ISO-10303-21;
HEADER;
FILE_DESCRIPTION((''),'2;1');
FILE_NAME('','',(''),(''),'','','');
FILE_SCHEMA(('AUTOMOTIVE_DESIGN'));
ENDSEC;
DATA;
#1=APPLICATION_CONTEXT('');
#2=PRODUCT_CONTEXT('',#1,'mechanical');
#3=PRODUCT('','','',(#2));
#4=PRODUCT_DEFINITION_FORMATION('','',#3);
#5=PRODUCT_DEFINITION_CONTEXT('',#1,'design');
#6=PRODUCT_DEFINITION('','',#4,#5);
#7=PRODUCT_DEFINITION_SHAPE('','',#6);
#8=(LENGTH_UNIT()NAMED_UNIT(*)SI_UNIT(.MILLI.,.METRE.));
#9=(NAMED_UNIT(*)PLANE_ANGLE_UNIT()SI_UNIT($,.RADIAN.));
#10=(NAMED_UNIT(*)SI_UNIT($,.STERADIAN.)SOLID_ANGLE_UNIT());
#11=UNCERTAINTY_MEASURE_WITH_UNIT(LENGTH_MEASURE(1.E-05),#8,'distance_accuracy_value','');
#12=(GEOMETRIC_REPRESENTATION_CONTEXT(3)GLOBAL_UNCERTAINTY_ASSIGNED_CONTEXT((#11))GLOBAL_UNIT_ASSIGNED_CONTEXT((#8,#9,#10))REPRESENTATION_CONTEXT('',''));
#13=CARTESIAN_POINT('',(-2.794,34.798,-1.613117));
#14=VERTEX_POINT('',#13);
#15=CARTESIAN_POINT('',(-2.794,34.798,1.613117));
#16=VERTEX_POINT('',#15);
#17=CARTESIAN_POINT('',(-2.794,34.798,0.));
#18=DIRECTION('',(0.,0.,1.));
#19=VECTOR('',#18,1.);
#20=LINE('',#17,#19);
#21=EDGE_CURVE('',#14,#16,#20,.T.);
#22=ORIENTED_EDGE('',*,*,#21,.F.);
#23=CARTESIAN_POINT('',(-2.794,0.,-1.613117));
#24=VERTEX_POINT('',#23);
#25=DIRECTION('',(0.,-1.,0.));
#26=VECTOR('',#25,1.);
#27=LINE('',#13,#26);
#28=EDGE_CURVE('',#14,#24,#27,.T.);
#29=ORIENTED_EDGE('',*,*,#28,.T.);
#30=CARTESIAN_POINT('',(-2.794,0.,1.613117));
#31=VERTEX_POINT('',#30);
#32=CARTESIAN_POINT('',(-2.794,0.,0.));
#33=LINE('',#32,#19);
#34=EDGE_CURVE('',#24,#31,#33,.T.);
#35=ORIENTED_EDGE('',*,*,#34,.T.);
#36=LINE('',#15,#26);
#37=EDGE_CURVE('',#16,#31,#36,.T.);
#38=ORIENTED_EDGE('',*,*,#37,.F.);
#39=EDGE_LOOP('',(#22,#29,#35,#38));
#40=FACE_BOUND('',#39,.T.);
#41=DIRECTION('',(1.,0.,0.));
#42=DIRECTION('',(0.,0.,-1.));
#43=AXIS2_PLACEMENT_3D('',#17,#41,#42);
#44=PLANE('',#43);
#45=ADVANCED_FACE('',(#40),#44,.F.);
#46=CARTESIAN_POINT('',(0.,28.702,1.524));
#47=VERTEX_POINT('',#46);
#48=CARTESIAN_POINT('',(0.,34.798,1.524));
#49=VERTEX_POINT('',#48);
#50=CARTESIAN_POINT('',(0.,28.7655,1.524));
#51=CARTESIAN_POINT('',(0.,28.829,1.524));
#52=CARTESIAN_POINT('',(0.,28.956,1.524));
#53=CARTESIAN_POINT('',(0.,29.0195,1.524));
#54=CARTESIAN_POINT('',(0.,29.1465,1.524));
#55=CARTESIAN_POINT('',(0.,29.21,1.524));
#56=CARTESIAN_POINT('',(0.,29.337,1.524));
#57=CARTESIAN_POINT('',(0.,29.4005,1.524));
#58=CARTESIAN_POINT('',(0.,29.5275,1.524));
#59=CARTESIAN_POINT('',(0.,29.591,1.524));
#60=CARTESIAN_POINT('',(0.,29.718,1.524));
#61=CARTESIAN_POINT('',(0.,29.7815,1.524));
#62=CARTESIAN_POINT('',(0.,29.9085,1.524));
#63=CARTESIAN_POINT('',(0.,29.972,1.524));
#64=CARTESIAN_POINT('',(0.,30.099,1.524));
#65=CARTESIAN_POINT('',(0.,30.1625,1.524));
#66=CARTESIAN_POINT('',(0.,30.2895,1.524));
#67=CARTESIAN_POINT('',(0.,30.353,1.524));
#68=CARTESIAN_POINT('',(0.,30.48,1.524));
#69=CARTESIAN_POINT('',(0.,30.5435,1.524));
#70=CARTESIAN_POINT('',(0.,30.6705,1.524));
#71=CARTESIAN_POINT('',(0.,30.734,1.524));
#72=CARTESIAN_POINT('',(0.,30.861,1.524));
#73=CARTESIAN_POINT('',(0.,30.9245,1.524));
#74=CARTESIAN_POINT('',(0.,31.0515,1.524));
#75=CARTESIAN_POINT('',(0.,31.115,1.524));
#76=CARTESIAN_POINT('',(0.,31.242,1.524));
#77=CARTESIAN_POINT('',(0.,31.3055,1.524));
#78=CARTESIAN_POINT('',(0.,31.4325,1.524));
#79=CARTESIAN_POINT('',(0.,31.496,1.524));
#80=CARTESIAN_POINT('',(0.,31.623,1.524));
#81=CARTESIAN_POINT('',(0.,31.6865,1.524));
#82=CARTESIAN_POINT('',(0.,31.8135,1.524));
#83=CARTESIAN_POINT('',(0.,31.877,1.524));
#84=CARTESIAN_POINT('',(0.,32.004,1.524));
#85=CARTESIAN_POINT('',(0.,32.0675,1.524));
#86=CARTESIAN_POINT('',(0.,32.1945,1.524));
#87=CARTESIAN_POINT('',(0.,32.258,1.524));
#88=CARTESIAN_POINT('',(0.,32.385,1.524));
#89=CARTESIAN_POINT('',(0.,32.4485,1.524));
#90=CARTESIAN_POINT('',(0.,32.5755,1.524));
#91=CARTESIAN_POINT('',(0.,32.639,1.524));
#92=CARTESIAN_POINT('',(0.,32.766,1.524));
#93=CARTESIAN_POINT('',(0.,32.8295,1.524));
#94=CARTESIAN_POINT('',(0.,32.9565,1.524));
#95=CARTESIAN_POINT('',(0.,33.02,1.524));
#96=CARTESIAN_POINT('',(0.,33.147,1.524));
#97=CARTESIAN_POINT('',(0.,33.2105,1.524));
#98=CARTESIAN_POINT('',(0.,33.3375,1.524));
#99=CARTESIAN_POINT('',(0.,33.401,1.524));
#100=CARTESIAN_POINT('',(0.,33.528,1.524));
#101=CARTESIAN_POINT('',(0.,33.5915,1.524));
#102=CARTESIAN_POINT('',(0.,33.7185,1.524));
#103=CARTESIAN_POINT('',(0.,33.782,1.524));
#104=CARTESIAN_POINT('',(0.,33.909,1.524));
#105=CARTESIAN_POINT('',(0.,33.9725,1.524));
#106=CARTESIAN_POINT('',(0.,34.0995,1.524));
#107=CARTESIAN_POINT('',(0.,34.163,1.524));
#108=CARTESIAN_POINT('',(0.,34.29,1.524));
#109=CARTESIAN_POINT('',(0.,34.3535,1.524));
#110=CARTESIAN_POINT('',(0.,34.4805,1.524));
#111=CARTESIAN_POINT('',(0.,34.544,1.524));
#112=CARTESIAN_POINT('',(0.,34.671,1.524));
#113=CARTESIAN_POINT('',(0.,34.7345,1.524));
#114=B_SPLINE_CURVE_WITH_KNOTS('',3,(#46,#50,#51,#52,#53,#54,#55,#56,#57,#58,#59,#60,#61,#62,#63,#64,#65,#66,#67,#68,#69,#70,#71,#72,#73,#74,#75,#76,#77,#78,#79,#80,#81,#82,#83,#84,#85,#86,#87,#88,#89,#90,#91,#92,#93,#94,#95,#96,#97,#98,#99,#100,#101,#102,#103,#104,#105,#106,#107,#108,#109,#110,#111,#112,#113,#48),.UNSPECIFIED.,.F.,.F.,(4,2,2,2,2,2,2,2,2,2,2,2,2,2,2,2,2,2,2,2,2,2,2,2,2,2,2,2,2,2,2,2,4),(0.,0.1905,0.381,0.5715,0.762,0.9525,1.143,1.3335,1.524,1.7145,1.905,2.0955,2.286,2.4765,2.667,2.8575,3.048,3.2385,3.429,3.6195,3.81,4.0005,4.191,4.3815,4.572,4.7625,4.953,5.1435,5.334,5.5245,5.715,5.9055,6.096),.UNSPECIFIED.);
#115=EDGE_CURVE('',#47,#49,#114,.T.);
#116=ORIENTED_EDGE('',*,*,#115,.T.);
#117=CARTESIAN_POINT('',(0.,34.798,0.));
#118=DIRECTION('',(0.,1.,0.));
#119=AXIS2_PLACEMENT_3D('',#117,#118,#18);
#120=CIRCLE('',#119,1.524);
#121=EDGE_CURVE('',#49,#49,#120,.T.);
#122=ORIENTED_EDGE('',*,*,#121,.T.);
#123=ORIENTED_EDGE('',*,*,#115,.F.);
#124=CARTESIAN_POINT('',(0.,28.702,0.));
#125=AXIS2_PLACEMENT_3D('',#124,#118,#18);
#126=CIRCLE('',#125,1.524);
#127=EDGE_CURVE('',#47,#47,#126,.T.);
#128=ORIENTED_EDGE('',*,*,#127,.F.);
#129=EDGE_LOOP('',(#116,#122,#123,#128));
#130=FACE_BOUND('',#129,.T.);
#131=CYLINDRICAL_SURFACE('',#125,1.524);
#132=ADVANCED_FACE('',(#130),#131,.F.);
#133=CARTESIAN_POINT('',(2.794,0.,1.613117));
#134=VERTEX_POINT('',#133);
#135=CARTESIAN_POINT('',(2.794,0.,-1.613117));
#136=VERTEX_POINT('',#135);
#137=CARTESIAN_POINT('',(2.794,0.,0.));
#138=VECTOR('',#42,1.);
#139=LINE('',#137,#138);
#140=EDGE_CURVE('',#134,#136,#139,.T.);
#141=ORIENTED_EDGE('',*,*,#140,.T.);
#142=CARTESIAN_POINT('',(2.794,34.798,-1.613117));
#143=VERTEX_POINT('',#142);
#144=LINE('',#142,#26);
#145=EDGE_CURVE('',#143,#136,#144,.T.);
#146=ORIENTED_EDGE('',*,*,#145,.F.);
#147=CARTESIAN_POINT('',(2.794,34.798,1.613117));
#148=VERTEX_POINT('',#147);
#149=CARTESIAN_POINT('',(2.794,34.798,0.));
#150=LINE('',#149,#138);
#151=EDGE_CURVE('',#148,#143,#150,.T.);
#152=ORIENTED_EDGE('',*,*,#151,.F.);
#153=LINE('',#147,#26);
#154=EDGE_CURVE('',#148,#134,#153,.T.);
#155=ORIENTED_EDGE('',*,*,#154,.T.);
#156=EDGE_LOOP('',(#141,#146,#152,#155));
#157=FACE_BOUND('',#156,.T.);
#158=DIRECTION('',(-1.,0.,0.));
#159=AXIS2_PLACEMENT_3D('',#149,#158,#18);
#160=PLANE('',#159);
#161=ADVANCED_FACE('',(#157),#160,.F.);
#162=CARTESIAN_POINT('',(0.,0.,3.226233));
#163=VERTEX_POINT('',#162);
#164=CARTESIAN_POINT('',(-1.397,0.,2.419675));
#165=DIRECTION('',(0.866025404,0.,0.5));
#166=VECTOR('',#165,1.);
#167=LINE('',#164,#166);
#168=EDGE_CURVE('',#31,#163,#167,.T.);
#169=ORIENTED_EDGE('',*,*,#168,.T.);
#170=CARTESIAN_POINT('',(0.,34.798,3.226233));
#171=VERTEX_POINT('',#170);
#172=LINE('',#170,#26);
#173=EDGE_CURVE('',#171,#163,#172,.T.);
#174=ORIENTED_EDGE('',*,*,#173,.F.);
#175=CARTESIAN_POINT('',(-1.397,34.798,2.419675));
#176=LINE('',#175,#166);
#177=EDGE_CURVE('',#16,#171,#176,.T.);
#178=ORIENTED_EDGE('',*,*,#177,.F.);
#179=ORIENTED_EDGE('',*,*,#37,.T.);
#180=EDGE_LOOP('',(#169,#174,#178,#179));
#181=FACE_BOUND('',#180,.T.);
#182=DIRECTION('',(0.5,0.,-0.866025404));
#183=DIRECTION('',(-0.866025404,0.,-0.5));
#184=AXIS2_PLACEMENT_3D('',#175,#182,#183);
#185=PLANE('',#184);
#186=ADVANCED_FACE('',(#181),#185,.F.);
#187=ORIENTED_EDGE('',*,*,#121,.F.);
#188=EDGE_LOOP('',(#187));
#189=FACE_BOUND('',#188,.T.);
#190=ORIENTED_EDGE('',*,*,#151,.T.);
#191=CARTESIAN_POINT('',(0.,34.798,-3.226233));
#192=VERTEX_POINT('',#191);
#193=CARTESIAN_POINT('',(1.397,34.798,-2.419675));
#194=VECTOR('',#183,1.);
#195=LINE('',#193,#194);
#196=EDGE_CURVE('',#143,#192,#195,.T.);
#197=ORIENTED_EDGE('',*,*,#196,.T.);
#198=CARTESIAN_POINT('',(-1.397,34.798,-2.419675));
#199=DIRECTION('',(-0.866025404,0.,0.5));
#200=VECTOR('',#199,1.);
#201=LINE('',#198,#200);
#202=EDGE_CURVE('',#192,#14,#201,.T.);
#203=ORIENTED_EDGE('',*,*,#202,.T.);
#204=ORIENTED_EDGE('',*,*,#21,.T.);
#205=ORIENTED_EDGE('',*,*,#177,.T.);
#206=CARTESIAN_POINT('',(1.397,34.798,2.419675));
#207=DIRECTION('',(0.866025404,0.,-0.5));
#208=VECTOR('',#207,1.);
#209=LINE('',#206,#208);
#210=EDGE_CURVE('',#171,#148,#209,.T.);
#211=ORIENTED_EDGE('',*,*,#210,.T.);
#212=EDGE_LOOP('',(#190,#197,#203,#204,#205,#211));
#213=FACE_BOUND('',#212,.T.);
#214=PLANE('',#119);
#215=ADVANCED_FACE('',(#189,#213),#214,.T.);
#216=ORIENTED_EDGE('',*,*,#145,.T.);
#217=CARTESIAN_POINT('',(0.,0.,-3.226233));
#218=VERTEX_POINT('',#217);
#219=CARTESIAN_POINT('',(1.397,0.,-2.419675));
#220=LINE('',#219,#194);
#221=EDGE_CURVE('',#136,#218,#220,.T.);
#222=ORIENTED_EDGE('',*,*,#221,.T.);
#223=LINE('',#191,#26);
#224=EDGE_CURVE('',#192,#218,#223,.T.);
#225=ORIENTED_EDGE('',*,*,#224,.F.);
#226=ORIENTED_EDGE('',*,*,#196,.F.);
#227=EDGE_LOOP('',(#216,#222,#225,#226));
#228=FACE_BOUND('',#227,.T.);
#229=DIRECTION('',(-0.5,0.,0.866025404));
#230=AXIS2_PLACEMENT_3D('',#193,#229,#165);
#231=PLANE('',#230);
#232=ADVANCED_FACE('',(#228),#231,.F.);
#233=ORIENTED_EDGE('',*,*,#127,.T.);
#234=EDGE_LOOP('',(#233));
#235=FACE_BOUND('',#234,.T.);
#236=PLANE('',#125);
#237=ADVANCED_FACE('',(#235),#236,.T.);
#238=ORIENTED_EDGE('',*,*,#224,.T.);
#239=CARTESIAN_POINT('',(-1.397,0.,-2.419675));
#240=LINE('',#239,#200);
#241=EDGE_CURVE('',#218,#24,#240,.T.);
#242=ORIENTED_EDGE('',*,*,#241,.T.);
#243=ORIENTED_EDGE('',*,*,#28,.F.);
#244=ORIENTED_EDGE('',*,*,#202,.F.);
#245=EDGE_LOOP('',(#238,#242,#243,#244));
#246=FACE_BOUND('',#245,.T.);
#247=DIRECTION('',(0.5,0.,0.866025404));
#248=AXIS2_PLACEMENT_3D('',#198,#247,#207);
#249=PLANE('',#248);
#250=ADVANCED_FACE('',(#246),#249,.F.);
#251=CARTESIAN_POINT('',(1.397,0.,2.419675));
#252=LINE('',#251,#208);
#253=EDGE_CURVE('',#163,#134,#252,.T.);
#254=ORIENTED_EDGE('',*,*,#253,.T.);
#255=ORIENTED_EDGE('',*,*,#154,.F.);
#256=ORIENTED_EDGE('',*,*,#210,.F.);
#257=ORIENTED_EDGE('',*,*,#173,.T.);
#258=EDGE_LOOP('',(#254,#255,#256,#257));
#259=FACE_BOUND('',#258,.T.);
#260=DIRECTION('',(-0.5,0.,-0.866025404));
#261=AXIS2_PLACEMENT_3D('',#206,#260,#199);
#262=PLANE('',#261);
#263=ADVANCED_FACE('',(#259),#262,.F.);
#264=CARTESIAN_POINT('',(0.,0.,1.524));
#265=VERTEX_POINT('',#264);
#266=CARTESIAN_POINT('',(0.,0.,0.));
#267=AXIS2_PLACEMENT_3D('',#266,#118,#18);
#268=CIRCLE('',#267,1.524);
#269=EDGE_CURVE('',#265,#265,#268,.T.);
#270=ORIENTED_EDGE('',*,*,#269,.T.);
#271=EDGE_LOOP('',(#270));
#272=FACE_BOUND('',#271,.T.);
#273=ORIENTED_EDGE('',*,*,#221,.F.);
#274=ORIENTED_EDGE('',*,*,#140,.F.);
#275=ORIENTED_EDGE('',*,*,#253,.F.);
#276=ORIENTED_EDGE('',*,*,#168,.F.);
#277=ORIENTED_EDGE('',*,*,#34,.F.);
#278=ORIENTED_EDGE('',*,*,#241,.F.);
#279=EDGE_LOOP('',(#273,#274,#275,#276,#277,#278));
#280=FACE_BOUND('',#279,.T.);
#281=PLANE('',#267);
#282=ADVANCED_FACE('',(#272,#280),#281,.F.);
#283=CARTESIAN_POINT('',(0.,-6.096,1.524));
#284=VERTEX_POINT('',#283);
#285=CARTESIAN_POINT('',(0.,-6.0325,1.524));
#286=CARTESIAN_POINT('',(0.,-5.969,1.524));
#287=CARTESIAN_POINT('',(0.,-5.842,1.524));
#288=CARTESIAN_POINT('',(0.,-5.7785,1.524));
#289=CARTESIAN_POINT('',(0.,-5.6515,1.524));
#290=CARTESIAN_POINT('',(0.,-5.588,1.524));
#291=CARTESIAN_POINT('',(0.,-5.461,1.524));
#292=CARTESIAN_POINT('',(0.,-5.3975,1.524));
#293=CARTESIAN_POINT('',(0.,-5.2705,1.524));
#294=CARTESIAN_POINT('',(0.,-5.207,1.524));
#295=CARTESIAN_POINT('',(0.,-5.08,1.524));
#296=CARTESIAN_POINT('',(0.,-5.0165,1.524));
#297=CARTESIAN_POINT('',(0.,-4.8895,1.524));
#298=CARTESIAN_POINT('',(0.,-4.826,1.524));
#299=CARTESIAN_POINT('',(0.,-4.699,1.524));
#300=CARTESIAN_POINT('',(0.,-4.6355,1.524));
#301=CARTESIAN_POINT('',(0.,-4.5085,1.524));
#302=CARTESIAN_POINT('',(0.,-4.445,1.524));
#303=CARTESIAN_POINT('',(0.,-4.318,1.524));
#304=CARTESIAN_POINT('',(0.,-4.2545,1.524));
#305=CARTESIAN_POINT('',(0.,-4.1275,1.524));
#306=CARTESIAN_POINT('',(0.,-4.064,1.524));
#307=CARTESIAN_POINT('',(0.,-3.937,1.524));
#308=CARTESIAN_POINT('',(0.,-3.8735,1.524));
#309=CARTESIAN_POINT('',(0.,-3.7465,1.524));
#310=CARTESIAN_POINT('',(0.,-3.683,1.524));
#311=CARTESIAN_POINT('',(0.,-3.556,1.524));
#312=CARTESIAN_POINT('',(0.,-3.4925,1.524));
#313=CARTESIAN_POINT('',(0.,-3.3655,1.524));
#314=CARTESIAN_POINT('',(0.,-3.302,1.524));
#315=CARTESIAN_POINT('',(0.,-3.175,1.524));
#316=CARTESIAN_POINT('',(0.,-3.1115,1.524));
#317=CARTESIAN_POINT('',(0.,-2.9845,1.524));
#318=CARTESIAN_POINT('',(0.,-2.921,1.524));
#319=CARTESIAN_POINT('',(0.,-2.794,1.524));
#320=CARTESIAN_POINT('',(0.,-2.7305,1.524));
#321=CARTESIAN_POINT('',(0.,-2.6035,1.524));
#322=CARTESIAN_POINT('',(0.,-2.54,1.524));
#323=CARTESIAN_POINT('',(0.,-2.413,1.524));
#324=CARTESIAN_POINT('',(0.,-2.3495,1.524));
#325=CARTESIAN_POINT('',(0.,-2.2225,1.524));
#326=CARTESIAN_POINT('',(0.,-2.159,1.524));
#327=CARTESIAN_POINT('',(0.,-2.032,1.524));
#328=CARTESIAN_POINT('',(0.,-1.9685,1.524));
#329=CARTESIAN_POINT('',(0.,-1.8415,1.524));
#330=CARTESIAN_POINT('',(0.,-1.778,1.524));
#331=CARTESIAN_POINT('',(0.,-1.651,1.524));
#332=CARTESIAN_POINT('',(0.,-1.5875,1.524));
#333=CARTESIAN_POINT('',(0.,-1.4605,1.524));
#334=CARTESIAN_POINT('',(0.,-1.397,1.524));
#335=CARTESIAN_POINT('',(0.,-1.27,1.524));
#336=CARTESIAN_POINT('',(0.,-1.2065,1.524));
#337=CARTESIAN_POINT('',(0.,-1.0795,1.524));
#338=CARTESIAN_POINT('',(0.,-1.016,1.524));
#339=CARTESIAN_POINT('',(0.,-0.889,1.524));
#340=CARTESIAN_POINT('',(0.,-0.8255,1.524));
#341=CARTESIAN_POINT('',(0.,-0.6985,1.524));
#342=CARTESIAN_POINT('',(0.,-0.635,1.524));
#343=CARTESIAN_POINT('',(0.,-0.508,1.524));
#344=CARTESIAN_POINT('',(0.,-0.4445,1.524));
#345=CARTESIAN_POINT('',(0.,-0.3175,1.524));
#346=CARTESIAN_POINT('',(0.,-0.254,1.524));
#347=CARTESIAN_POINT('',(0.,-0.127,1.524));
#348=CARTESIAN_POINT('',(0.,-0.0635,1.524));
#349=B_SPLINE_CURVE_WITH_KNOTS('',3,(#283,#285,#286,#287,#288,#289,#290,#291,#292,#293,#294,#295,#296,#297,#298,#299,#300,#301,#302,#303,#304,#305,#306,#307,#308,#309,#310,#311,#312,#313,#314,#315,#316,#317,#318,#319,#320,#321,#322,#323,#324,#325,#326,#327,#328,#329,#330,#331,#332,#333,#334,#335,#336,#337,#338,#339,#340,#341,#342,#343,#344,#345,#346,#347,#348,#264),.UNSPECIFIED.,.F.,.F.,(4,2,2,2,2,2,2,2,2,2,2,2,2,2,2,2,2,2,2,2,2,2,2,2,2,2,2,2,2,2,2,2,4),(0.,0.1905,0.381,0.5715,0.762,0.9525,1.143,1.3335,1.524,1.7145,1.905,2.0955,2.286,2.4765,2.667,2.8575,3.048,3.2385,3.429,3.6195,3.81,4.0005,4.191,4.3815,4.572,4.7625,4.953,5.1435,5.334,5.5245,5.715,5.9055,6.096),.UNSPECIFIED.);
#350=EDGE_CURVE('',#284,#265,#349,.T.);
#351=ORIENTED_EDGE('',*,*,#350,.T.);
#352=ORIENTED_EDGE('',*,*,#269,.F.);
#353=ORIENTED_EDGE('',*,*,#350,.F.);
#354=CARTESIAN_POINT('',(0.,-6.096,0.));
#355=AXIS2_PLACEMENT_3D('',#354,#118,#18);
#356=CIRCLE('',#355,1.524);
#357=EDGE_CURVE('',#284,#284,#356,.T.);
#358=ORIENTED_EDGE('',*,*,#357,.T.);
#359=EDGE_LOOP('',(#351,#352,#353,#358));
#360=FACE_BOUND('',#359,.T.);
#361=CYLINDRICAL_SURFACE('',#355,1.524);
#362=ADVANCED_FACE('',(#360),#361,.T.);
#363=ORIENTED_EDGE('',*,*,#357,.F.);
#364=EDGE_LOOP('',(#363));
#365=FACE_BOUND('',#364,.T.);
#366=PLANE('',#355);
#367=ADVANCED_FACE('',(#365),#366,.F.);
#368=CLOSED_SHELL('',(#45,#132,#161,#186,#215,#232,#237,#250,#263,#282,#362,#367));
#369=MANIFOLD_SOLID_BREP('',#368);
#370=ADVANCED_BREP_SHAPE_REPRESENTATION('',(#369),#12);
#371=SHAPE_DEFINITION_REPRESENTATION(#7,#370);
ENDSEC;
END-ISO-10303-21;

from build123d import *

# Parameters (mm, degrees)
SKETCH1_R           = 1.524
BOSS_EXTRUDE1_DEPTH = 34.798
SKETCH1_3_R         = 1.524
BOSS_EXTRUDE2_DEPTH = 6.096
CUT_EXTRUDE1_START  = 34.798
SKETCH1_4_R         = 1.524
CUT_EXTRUDE1_DEPTH  = 6.096


with BuildPart() as part:
    # Sketch1 → Boss-Extrude1 (new body)
    with BuildSketch(Plane(origin=(0, 0, 0), x_dir=(1, 0, 0), z_dir=(0, 1, 0))):
        Polygon((-2.794, -1.613116652), (0, -3.226233304), (2.794, -1.613116652), (2.794, 1.613116652), (0, 3.226233304), (-2.794, 1.613116652), align=None)
        Circle(SKETCH1_R, mode=Mode.SUBTRACT)
        Circle(SKETCH1_R)
    extrude(amount=BOSS_EXTRUDE1_DEPTH)

    # Sketch1<3> → Boss-Extrude2 (add)
    with BuildSketch(Plane(origin=(0, 0, 0), x_dir=(1, 0, 0), z_dir=(0, 1, 0))):
        with Locations(Location((0, 0, 0), (0, 0, 270))):
            Circle(SKETCH1_3_R)
    extrude(amount=-BOSS_EXTRUDE2_DEPTH)

    # Sketch1<4> → Cut-Extrude1 (cut)
    with BuildSketch(Plane(origin=(0, 0, 0), x_dir=(1, 0, 0), z_dir=(0, 1, 0)).offset(CUT_EXTRUDE1_START)):
        with Locations(Location((0, 0, 0), (0, 0, 270))):
            Circle(SKETCH1_4_R)
    extrude(amount=-CUT_EXTRUDE1_DEPTH, mode=Mode.SUBTRACT)


solid = part.part
